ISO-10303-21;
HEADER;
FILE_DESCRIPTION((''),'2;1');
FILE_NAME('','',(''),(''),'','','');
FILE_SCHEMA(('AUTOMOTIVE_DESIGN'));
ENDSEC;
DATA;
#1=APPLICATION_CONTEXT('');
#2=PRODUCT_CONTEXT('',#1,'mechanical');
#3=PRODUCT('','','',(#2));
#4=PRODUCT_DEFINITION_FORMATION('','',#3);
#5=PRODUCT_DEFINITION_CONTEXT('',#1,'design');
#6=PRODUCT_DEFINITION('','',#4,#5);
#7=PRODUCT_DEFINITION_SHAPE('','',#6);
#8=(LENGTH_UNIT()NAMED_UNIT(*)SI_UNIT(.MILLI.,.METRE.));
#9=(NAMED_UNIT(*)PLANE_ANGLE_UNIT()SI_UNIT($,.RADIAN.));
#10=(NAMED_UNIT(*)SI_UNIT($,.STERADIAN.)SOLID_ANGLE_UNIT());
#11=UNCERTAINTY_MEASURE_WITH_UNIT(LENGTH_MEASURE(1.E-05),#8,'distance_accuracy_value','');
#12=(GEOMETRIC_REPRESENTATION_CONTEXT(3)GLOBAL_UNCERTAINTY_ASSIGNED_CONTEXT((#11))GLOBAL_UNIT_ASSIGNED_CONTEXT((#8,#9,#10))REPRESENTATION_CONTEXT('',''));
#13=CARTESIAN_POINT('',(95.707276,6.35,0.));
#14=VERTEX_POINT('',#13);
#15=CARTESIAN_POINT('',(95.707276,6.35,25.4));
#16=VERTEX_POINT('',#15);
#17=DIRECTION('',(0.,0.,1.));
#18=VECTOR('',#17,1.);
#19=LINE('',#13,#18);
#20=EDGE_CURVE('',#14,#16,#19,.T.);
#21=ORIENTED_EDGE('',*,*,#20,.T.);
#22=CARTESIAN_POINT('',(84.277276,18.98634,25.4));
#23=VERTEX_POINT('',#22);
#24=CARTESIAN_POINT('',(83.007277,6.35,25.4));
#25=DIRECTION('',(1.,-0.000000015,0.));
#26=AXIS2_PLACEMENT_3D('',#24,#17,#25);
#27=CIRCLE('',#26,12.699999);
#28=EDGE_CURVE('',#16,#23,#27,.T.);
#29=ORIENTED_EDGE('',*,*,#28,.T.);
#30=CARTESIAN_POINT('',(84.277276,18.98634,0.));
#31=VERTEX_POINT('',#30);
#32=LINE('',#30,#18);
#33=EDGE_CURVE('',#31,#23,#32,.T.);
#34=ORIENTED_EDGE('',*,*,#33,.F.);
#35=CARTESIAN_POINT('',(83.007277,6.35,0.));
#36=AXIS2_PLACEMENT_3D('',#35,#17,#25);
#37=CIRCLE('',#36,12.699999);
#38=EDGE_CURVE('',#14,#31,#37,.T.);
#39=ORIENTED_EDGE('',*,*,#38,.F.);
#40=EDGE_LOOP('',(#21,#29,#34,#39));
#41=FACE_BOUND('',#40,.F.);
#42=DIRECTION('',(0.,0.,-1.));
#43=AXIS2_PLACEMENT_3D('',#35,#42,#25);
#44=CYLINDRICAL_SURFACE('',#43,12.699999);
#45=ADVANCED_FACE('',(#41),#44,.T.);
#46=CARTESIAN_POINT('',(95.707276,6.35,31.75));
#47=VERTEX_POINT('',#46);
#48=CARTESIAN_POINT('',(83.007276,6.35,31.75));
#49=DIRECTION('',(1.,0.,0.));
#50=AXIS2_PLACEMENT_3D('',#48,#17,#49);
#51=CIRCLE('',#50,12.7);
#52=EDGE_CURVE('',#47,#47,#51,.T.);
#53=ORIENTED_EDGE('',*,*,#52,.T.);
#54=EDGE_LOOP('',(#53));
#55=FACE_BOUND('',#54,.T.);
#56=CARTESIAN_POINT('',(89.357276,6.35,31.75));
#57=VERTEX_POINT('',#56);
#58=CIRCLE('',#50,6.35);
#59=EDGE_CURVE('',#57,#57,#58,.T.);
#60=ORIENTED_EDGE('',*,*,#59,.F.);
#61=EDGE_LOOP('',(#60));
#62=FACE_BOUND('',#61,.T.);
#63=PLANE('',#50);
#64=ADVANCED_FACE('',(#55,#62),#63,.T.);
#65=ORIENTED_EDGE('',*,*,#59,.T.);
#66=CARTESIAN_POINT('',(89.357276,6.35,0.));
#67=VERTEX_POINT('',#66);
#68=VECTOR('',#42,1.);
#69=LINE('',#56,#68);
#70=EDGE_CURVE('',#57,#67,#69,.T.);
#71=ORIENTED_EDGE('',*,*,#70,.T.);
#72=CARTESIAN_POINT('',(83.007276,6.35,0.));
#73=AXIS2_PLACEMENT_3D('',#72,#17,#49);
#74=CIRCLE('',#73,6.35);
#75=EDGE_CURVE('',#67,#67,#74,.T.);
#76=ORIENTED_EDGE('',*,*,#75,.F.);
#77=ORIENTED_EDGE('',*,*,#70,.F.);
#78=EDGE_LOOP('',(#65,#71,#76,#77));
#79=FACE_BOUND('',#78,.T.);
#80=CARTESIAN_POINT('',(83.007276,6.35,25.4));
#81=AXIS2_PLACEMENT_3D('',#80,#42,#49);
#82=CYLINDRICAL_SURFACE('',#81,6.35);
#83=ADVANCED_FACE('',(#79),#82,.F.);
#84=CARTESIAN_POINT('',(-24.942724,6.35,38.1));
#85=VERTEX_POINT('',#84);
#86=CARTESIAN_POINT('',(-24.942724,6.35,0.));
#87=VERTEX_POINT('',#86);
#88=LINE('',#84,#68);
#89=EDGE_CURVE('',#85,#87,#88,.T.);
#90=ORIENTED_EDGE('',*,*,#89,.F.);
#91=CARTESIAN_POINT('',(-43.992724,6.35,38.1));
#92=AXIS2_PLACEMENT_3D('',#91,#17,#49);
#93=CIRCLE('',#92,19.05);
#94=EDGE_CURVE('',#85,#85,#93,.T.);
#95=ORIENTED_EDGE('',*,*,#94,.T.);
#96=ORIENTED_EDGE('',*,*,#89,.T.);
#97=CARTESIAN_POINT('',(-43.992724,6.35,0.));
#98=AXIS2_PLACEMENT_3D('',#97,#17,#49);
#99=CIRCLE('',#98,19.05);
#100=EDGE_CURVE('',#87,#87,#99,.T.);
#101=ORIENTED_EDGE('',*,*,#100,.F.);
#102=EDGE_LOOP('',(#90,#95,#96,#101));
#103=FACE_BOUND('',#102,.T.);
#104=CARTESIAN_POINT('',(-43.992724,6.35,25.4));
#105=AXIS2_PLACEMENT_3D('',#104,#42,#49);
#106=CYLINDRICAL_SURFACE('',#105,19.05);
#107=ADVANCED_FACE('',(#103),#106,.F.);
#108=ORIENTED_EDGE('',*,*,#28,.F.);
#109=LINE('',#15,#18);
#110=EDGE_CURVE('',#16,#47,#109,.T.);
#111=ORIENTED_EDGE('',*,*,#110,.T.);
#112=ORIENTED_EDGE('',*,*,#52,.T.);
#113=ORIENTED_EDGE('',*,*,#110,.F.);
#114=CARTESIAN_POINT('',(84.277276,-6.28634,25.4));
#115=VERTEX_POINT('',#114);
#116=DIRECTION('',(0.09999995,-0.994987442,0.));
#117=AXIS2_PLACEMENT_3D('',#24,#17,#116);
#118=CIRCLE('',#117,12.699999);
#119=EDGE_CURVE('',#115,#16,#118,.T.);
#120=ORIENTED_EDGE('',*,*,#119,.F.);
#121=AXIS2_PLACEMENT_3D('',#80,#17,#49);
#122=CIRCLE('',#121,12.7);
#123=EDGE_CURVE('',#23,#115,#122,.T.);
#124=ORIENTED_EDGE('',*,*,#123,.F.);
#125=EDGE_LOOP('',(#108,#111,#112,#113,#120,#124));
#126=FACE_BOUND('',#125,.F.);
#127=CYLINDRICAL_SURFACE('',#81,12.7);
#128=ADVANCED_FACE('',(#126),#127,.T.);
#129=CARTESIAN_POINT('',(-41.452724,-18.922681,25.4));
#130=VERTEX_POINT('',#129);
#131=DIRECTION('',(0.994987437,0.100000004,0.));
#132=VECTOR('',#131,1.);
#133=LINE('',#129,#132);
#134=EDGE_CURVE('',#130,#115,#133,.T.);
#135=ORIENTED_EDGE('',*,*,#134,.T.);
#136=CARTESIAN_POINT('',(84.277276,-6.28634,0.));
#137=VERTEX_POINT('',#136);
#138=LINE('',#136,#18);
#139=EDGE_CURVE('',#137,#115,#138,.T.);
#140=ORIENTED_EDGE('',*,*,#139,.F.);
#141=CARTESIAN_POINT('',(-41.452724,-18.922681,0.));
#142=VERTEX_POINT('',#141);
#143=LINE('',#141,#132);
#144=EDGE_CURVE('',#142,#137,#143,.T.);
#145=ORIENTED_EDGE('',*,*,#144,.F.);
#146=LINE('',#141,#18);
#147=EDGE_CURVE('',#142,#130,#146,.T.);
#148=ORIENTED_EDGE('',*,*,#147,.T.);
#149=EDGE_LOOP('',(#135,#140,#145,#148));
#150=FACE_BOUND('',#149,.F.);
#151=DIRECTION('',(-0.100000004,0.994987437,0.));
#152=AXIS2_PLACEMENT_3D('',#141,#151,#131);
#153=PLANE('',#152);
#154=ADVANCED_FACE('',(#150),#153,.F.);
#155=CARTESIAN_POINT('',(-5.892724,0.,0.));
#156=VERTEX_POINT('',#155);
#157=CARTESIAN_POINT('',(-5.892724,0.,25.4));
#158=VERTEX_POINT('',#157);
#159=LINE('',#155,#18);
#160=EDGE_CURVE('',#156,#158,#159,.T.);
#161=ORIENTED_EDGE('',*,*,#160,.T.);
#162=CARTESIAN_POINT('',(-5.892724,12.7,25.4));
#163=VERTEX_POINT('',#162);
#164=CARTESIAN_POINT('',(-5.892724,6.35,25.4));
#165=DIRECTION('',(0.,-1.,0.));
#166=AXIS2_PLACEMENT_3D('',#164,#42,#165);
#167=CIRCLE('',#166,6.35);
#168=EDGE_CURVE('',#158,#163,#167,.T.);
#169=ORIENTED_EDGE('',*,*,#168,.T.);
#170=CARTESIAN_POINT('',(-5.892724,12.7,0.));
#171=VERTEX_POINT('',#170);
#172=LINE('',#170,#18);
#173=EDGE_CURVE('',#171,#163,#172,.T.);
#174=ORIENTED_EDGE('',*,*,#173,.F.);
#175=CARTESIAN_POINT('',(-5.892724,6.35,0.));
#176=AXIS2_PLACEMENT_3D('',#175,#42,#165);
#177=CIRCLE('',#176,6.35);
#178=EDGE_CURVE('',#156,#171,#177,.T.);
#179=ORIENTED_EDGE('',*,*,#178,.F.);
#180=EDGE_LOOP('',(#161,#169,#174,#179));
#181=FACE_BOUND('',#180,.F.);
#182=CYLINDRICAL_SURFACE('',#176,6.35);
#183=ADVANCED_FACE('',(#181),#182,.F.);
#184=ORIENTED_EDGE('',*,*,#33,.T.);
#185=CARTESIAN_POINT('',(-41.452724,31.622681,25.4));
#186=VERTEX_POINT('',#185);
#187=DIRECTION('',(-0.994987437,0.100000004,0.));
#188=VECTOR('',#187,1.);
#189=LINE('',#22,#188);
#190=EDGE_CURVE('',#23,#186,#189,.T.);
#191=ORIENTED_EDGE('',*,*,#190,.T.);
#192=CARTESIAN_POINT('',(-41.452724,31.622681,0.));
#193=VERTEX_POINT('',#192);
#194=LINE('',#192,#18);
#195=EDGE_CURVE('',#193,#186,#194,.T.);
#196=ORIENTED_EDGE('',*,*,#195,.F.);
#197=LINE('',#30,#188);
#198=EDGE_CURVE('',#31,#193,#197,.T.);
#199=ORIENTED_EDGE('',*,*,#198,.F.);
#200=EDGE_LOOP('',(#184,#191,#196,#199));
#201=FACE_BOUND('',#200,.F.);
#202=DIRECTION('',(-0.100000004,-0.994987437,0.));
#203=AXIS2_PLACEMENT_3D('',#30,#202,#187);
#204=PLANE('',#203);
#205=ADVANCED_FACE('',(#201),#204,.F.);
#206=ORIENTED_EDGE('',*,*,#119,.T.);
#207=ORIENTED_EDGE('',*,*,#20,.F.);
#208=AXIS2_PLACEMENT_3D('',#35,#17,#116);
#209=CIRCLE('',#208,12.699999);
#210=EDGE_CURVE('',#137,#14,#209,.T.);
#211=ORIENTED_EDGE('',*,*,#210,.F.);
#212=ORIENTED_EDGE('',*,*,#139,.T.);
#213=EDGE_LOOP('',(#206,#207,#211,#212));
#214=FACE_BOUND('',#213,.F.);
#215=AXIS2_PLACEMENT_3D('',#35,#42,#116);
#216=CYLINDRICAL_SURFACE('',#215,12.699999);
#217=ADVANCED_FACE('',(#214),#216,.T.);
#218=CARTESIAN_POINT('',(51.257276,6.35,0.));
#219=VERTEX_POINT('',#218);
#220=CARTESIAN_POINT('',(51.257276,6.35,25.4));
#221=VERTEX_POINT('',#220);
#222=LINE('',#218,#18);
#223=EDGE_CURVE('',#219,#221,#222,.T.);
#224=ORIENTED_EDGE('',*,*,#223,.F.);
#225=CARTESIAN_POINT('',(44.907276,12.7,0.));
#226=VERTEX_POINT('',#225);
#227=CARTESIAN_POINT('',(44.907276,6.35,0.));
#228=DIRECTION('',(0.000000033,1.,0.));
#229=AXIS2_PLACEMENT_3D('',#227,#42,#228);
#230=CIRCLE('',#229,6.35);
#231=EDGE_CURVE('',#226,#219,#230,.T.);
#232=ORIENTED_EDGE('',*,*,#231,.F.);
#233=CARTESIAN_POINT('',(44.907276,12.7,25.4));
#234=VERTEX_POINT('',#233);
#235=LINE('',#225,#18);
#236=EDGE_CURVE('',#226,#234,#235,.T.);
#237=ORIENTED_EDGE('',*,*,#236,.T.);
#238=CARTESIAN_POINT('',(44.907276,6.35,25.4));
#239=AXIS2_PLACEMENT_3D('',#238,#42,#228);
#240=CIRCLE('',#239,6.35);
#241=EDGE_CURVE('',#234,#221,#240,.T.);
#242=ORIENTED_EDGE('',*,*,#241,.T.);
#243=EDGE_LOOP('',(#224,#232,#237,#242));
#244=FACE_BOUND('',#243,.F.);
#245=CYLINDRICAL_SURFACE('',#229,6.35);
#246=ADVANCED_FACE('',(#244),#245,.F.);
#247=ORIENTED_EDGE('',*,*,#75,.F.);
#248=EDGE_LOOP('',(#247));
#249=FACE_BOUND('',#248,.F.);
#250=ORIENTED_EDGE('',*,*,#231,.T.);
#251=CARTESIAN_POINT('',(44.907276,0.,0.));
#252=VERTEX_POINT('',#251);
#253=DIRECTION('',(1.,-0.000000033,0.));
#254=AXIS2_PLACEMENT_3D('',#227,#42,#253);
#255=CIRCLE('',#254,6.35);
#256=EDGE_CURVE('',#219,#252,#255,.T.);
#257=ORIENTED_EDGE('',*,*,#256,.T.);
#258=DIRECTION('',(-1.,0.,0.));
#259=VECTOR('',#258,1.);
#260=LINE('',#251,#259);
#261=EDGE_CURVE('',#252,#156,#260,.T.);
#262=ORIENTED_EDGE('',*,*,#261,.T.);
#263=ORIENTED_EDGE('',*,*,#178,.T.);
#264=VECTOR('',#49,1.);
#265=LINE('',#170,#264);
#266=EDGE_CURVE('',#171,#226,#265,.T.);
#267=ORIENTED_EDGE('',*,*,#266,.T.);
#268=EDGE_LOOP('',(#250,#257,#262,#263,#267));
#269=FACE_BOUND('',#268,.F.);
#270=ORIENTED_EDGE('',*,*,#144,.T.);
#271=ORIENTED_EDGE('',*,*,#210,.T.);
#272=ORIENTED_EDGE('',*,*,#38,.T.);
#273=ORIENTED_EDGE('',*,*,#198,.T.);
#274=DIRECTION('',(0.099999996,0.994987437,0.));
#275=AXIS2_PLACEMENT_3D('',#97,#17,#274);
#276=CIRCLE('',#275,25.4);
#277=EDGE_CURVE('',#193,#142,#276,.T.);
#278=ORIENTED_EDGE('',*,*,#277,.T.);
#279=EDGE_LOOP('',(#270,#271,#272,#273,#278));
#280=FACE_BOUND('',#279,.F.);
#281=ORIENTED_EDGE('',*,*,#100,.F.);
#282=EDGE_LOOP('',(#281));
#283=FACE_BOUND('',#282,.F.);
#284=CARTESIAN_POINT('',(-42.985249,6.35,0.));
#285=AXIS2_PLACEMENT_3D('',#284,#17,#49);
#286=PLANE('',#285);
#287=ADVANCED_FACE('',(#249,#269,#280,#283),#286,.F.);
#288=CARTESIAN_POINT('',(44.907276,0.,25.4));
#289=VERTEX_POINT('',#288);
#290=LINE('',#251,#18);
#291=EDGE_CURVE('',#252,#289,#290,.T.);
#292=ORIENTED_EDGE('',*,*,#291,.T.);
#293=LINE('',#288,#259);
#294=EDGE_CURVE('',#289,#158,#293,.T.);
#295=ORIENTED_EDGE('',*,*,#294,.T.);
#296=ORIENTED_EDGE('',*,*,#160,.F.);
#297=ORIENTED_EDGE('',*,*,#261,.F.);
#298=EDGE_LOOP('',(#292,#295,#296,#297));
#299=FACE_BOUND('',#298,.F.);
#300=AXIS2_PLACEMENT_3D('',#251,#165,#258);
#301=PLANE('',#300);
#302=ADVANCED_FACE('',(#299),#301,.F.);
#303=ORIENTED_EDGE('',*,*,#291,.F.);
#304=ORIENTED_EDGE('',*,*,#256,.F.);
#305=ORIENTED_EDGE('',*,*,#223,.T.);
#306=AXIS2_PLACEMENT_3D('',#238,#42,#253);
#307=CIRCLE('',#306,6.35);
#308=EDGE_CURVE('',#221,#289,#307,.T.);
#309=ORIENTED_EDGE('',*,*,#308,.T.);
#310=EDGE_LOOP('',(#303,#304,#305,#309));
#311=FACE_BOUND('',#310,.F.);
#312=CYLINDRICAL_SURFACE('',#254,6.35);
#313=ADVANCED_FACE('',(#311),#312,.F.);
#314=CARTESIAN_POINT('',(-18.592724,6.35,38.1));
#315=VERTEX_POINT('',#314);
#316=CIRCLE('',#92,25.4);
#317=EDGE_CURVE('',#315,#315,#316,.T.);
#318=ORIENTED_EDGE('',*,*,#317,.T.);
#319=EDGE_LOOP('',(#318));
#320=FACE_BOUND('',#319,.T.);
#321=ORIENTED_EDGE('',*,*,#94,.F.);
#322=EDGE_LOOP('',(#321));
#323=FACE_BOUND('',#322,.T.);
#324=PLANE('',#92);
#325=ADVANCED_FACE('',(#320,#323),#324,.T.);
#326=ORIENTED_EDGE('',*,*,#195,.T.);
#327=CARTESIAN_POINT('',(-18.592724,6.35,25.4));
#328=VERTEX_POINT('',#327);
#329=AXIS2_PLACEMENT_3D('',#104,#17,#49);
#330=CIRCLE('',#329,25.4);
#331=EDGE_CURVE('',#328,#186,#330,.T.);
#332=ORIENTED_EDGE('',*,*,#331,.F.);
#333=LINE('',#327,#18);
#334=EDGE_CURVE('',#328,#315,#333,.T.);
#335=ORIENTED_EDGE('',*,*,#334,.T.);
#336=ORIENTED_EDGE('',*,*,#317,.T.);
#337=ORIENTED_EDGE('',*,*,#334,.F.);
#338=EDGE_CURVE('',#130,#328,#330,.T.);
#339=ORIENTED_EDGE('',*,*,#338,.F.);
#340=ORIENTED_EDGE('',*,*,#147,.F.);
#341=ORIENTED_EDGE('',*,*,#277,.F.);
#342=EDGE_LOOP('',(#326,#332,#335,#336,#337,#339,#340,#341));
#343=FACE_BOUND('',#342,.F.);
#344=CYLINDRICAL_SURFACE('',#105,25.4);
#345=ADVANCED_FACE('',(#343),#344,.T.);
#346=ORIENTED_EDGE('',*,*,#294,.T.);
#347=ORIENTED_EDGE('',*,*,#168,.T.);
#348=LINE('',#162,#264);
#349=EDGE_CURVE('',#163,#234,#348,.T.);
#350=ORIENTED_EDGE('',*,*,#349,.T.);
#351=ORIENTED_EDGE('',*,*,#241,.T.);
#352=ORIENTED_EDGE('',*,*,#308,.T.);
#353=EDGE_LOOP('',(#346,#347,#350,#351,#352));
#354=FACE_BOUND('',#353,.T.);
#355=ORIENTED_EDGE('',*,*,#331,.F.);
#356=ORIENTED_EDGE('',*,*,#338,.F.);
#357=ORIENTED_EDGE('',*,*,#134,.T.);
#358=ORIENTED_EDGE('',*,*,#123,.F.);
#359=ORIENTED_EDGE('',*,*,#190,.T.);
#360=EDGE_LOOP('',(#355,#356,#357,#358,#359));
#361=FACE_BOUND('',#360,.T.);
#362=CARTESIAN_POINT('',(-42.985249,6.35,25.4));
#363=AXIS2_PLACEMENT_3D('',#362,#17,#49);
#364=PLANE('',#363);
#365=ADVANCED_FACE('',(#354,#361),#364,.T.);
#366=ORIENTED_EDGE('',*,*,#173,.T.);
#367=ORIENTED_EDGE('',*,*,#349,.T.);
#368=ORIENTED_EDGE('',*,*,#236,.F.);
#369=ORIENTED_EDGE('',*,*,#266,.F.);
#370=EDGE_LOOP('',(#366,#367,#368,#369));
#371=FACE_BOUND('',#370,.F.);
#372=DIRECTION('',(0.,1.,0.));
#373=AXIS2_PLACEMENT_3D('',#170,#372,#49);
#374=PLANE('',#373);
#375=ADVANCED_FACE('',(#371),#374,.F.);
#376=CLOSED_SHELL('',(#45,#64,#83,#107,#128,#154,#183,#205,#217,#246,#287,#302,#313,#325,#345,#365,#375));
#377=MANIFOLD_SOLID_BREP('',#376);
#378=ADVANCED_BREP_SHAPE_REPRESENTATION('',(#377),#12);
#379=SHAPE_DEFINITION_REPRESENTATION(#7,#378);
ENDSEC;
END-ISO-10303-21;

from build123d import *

# Parameters (mm, degrees)
F0_R     = 19.05
F0_R_2   = 6.35
F1_DEPTH = 25.4
F2_R     = 25.4
F2_R_2   = 19.05
F3_DEPTH = 12.7
F4_R     = 12.7
F4_R_2   = 6.35
F5_DEPTH = 6.35


with BuildPart() as f1:
    # F0 (on Top) → F1 (new body)
    with BuildSketch(Plane.XY):
        with BuildLine():
            ThreePointArc((-41.452724, -18.922681), (-25.15558, -10.688838), (-18.592724, 6.35))
            ThreePointArc((-18.592724, 6.35), (-25.15558, 23.388838), (-41.452724, 31.622681))
            ThreePointArc((-41.452724, 31.622681), (-69.392724, 6.35), (-41.452724, -18.922681))
        make_face()
        with Locations((-43.992724, 6.35)):
            Circle(F0_R, mode=Mode.SUBTRACT)
        with BuildLine():
            ThreePointArc((-41.452724, 31.622681), (-25.15558, 23.388838), (-18.592724, 6.35))
            ThreePointArc((-18.592724, 6.35), (-25.15558, -10.688838), (-41.452724, -18.922681))
            Line((-41.452724, -18.922681), (84.277276, -6.28634))
            ThreePointArc((84.277276, -6.28634), (70.307276, 6.35), (84.277276, 18.98634))
            Line((84.277276, 18.98634), (-41.452724, 31.622681))
        make_face()
        with BuildLine():
            ThreePointArc((-5.892724, 0), (-12.242724, 6.35), (-5.892724, 12.7))
            Line((-5.892724, 12.7), (44.907276, 12.7))
            ThreePointArc((44.907276, 12.7), (49.397404, 10.840128), (51.257276, 6.35))
            ThreePointArc((51.257276, 6.35), (49.397404, 1.859872), (44.907276, 0))
            Line((44.907276, 0), (-5.892724, 0))
        make_face(mode=Mode.SUBTRACT)
        with BuildLine():
            ThreePointArc((95.707276, 6.35), (92.425848, 14.869419), (84.277276, 18.98634))
            ThreePointArc((84.277276, 18.98634), (70.307276, 6.35), (84.277276, -6.28634))
            ThreePointArc((84.277276, -6.28634), (92.425848, -2.169419), (95.707276, 6.35))
        make_face()
        with Locations((83.007276, 6.35)):
            Circle(F0_R_2, mode=Mode.SUBTRACT)
    extrude(amount=F1_DEPTH)

    # F2 (on face) → F3 (join)
    with BuildSketch(Plane.XY.offset(25.4)):
        with Locations((-43.992724, 6.35)):
            Circle(F2_R)
        with Locations((-43.992724, 6.35)):
            Circle(F2_R_2, mode=Mode.SUBTRACT)
    extrude(amount=F3_DEPTH)

    # F4 (on face) → F5 (join)
    with BuildSketch(Plane.XY.offset(25.4)):
        with Locations((83.007276, 6.35)):
            Circle(F4_R)
        with Locations((83.007276, 6.35)):
            Circle(F4_R_2, mode=Mode.SUBTRACT)
    extrude(amount=F5_DEPTH)


solid = f1.part
